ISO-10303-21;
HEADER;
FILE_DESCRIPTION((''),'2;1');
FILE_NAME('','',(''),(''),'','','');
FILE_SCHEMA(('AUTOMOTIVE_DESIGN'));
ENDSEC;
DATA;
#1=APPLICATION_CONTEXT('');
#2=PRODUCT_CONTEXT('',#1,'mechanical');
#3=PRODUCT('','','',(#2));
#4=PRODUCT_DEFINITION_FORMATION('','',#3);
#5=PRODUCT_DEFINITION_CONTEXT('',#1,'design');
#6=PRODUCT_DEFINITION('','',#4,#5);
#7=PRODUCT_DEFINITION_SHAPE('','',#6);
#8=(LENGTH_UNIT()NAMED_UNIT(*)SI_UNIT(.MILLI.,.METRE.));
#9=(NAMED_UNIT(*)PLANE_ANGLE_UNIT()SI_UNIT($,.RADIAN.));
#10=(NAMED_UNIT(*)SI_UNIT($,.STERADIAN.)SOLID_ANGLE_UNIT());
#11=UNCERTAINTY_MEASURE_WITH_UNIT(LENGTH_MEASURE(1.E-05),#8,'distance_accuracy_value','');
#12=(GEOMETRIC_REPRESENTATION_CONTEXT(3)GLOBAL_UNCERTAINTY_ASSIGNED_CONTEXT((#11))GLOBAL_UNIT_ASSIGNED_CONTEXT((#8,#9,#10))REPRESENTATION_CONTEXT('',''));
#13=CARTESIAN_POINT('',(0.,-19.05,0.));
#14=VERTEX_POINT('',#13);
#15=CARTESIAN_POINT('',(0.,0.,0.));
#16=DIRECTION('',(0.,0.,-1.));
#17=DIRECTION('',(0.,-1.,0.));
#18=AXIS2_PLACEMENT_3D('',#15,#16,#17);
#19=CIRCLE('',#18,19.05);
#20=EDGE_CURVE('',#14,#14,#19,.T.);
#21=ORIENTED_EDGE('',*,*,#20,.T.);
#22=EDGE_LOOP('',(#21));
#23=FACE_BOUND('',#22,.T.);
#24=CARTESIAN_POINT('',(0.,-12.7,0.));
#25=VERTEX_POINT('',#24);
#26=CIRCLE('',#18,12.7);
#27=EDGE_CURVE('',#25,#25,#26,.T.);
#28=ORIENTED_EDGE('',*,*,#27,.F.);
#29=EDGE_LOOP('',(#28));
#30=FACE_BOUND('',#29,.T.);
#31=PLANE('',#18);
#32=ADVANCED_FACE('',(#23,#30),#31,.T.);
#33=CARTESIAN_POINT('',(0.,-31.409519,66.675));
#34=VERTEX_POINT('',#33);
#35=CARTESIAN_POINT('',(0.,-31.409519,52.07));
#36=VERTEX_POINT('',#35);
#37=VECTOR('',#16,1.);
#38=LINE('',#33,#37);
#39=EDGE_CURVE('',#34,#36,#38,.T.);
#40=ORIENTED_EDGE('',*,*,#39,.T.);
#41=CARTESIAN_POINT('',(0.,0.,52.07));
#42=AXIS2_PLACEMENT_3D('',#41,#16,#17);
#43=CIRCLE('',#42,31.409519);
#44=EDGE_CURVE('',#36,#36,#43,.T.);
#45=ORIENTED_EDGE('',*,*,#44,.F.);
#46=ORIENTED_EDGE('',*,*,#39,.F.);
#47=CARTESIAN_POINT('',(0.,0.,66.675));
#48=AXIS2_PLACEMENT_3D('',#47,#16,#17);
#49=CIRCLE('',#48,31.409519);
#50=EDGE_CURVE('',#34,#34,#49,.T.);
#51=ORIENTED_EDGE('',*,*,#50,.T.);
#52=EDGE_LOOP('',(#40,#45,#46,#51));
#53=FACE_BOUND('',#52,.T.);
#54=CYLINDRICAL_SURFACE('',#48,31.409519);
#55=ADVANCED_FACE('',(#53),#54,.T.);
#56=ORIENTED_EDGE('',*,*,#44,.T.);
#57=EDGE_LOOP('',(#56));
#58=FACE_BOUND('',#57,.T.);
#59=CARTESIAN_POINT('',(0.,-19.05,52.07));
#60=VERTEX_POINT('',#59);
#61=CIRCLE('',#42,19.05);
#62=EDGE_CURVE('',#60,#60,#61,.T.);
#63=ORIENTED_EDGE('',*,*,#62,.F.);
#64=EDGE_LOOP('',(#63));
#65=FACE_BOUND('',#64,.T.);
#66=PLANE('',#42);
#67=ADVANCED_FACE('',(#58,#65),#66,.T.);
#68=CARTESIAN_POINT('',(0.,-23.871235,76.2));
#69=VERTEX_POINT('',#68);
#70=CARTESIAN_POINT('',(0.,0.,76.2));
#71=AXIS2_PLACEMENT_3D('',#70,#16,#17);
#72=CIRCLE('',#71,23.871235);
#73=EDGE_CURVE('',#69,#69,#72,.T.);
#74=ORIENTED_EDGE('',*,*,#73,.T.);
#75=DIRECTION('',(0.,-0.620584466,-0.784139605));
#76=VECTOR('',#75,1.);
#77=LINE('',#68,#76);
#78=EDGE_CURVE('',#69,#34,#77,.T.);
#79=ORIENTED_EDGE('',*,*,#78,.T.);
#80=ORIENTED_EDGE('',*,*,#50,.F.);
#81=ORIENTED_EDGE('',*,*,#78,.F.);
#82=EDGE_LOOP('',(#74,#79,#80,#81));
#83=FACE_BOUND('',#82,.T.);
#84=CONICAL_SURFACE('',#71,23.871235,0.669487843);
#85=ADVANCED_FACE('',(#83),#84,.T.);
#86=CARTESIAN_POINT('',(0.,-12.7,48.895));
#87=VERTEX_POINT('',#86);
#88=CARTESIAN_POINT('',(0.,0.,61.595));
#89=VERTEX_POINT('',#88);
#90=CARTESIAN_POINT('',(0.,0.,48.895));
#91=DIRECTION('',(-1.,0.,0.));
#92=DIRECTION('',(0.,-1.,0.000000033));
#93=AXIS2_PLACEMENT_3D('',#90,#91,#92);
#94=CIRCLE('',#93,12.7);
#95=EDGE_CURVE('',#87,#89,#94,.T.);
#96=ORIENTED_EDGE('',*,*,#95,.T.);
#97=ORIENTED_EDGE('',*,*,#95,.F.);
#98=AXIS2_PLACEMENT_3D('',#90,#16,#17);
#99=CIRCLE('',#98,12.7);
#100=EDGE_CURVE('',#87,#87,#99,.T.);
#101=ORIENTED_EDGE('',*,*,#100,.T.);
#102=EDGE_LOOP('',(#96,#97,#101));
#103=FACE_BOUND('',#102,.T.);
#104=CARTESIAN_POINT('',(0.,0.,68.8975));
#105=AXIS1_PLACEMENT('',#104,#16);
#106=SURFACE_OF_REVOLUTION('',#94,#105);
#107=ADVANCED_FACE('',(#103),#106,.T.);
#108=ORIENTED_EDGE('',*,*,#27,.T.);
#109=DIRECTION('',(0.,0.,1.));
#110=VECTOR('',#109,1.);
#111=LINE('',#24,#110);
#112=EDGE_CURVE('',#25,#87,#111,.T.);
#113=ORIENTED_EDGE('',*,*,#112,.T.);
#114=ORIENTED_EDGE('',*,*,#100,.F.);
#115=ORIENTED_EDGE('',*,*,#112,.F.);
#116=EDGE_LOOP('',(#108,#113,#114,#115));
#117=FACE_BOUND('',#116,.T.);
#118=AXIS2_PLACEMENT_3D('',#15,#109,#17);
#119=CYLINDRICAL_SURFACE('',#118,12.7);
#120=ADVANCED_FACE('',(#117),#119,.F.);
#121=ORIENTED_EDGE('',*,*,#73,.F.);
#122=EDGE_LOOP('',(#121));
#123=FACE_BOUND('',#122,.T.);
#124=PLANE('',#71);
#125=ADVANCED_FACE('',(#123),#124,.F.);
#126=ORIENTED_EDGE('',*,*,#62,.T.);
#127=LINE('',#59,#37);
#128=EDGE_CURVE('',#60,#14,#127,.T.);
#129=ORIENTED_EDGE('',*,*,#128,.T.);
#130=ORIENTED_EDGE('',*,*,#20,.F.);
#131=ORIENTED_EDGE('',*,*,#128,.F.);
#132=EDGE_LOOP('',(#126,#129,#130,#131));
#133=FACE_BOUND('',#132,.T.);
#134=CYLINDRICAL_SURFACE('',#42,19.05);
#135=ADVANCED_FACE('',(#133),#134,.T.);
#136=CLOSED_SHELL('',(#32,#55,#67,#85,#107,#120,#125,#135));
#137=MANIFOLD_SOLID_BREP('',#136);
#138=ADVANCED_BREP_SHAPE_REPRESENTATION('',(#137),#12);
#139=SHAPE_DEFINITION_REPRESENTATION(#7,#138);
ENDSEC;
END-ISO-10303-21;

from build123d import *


with BuildPart() as f1:
    # F0 (on Right) → F1 (revolve)
    with BuildSketch(Plane.YZ):
        with BuildLine():
            Line((-19.05, 0), (-12.7, 0))
            Line((-12.7, 0), (-12.7, 48.895))
            ThreePointArc((-12.7, 48.895), (-8.980256, 57.875256), (0, 61.595))
            Line((0, 61.595), (0, 76.2))
            Line((0, 76.2), (-23.871235, 76.2))
            Line((-23.871235, 76.2), (-31.409519, 66.675))
            Line((-31.409519, 66.675), (-31.409519, 52.07))
            Line((-31.409519, 52.07), (-19.05, 52.07))
            Line((-19.05, 52.07), (-19.05, 0))
        make_face()
    revolve(axis=Axis((0, 0, 68.8975), (0, 0, -1)))


solid = f1.part
